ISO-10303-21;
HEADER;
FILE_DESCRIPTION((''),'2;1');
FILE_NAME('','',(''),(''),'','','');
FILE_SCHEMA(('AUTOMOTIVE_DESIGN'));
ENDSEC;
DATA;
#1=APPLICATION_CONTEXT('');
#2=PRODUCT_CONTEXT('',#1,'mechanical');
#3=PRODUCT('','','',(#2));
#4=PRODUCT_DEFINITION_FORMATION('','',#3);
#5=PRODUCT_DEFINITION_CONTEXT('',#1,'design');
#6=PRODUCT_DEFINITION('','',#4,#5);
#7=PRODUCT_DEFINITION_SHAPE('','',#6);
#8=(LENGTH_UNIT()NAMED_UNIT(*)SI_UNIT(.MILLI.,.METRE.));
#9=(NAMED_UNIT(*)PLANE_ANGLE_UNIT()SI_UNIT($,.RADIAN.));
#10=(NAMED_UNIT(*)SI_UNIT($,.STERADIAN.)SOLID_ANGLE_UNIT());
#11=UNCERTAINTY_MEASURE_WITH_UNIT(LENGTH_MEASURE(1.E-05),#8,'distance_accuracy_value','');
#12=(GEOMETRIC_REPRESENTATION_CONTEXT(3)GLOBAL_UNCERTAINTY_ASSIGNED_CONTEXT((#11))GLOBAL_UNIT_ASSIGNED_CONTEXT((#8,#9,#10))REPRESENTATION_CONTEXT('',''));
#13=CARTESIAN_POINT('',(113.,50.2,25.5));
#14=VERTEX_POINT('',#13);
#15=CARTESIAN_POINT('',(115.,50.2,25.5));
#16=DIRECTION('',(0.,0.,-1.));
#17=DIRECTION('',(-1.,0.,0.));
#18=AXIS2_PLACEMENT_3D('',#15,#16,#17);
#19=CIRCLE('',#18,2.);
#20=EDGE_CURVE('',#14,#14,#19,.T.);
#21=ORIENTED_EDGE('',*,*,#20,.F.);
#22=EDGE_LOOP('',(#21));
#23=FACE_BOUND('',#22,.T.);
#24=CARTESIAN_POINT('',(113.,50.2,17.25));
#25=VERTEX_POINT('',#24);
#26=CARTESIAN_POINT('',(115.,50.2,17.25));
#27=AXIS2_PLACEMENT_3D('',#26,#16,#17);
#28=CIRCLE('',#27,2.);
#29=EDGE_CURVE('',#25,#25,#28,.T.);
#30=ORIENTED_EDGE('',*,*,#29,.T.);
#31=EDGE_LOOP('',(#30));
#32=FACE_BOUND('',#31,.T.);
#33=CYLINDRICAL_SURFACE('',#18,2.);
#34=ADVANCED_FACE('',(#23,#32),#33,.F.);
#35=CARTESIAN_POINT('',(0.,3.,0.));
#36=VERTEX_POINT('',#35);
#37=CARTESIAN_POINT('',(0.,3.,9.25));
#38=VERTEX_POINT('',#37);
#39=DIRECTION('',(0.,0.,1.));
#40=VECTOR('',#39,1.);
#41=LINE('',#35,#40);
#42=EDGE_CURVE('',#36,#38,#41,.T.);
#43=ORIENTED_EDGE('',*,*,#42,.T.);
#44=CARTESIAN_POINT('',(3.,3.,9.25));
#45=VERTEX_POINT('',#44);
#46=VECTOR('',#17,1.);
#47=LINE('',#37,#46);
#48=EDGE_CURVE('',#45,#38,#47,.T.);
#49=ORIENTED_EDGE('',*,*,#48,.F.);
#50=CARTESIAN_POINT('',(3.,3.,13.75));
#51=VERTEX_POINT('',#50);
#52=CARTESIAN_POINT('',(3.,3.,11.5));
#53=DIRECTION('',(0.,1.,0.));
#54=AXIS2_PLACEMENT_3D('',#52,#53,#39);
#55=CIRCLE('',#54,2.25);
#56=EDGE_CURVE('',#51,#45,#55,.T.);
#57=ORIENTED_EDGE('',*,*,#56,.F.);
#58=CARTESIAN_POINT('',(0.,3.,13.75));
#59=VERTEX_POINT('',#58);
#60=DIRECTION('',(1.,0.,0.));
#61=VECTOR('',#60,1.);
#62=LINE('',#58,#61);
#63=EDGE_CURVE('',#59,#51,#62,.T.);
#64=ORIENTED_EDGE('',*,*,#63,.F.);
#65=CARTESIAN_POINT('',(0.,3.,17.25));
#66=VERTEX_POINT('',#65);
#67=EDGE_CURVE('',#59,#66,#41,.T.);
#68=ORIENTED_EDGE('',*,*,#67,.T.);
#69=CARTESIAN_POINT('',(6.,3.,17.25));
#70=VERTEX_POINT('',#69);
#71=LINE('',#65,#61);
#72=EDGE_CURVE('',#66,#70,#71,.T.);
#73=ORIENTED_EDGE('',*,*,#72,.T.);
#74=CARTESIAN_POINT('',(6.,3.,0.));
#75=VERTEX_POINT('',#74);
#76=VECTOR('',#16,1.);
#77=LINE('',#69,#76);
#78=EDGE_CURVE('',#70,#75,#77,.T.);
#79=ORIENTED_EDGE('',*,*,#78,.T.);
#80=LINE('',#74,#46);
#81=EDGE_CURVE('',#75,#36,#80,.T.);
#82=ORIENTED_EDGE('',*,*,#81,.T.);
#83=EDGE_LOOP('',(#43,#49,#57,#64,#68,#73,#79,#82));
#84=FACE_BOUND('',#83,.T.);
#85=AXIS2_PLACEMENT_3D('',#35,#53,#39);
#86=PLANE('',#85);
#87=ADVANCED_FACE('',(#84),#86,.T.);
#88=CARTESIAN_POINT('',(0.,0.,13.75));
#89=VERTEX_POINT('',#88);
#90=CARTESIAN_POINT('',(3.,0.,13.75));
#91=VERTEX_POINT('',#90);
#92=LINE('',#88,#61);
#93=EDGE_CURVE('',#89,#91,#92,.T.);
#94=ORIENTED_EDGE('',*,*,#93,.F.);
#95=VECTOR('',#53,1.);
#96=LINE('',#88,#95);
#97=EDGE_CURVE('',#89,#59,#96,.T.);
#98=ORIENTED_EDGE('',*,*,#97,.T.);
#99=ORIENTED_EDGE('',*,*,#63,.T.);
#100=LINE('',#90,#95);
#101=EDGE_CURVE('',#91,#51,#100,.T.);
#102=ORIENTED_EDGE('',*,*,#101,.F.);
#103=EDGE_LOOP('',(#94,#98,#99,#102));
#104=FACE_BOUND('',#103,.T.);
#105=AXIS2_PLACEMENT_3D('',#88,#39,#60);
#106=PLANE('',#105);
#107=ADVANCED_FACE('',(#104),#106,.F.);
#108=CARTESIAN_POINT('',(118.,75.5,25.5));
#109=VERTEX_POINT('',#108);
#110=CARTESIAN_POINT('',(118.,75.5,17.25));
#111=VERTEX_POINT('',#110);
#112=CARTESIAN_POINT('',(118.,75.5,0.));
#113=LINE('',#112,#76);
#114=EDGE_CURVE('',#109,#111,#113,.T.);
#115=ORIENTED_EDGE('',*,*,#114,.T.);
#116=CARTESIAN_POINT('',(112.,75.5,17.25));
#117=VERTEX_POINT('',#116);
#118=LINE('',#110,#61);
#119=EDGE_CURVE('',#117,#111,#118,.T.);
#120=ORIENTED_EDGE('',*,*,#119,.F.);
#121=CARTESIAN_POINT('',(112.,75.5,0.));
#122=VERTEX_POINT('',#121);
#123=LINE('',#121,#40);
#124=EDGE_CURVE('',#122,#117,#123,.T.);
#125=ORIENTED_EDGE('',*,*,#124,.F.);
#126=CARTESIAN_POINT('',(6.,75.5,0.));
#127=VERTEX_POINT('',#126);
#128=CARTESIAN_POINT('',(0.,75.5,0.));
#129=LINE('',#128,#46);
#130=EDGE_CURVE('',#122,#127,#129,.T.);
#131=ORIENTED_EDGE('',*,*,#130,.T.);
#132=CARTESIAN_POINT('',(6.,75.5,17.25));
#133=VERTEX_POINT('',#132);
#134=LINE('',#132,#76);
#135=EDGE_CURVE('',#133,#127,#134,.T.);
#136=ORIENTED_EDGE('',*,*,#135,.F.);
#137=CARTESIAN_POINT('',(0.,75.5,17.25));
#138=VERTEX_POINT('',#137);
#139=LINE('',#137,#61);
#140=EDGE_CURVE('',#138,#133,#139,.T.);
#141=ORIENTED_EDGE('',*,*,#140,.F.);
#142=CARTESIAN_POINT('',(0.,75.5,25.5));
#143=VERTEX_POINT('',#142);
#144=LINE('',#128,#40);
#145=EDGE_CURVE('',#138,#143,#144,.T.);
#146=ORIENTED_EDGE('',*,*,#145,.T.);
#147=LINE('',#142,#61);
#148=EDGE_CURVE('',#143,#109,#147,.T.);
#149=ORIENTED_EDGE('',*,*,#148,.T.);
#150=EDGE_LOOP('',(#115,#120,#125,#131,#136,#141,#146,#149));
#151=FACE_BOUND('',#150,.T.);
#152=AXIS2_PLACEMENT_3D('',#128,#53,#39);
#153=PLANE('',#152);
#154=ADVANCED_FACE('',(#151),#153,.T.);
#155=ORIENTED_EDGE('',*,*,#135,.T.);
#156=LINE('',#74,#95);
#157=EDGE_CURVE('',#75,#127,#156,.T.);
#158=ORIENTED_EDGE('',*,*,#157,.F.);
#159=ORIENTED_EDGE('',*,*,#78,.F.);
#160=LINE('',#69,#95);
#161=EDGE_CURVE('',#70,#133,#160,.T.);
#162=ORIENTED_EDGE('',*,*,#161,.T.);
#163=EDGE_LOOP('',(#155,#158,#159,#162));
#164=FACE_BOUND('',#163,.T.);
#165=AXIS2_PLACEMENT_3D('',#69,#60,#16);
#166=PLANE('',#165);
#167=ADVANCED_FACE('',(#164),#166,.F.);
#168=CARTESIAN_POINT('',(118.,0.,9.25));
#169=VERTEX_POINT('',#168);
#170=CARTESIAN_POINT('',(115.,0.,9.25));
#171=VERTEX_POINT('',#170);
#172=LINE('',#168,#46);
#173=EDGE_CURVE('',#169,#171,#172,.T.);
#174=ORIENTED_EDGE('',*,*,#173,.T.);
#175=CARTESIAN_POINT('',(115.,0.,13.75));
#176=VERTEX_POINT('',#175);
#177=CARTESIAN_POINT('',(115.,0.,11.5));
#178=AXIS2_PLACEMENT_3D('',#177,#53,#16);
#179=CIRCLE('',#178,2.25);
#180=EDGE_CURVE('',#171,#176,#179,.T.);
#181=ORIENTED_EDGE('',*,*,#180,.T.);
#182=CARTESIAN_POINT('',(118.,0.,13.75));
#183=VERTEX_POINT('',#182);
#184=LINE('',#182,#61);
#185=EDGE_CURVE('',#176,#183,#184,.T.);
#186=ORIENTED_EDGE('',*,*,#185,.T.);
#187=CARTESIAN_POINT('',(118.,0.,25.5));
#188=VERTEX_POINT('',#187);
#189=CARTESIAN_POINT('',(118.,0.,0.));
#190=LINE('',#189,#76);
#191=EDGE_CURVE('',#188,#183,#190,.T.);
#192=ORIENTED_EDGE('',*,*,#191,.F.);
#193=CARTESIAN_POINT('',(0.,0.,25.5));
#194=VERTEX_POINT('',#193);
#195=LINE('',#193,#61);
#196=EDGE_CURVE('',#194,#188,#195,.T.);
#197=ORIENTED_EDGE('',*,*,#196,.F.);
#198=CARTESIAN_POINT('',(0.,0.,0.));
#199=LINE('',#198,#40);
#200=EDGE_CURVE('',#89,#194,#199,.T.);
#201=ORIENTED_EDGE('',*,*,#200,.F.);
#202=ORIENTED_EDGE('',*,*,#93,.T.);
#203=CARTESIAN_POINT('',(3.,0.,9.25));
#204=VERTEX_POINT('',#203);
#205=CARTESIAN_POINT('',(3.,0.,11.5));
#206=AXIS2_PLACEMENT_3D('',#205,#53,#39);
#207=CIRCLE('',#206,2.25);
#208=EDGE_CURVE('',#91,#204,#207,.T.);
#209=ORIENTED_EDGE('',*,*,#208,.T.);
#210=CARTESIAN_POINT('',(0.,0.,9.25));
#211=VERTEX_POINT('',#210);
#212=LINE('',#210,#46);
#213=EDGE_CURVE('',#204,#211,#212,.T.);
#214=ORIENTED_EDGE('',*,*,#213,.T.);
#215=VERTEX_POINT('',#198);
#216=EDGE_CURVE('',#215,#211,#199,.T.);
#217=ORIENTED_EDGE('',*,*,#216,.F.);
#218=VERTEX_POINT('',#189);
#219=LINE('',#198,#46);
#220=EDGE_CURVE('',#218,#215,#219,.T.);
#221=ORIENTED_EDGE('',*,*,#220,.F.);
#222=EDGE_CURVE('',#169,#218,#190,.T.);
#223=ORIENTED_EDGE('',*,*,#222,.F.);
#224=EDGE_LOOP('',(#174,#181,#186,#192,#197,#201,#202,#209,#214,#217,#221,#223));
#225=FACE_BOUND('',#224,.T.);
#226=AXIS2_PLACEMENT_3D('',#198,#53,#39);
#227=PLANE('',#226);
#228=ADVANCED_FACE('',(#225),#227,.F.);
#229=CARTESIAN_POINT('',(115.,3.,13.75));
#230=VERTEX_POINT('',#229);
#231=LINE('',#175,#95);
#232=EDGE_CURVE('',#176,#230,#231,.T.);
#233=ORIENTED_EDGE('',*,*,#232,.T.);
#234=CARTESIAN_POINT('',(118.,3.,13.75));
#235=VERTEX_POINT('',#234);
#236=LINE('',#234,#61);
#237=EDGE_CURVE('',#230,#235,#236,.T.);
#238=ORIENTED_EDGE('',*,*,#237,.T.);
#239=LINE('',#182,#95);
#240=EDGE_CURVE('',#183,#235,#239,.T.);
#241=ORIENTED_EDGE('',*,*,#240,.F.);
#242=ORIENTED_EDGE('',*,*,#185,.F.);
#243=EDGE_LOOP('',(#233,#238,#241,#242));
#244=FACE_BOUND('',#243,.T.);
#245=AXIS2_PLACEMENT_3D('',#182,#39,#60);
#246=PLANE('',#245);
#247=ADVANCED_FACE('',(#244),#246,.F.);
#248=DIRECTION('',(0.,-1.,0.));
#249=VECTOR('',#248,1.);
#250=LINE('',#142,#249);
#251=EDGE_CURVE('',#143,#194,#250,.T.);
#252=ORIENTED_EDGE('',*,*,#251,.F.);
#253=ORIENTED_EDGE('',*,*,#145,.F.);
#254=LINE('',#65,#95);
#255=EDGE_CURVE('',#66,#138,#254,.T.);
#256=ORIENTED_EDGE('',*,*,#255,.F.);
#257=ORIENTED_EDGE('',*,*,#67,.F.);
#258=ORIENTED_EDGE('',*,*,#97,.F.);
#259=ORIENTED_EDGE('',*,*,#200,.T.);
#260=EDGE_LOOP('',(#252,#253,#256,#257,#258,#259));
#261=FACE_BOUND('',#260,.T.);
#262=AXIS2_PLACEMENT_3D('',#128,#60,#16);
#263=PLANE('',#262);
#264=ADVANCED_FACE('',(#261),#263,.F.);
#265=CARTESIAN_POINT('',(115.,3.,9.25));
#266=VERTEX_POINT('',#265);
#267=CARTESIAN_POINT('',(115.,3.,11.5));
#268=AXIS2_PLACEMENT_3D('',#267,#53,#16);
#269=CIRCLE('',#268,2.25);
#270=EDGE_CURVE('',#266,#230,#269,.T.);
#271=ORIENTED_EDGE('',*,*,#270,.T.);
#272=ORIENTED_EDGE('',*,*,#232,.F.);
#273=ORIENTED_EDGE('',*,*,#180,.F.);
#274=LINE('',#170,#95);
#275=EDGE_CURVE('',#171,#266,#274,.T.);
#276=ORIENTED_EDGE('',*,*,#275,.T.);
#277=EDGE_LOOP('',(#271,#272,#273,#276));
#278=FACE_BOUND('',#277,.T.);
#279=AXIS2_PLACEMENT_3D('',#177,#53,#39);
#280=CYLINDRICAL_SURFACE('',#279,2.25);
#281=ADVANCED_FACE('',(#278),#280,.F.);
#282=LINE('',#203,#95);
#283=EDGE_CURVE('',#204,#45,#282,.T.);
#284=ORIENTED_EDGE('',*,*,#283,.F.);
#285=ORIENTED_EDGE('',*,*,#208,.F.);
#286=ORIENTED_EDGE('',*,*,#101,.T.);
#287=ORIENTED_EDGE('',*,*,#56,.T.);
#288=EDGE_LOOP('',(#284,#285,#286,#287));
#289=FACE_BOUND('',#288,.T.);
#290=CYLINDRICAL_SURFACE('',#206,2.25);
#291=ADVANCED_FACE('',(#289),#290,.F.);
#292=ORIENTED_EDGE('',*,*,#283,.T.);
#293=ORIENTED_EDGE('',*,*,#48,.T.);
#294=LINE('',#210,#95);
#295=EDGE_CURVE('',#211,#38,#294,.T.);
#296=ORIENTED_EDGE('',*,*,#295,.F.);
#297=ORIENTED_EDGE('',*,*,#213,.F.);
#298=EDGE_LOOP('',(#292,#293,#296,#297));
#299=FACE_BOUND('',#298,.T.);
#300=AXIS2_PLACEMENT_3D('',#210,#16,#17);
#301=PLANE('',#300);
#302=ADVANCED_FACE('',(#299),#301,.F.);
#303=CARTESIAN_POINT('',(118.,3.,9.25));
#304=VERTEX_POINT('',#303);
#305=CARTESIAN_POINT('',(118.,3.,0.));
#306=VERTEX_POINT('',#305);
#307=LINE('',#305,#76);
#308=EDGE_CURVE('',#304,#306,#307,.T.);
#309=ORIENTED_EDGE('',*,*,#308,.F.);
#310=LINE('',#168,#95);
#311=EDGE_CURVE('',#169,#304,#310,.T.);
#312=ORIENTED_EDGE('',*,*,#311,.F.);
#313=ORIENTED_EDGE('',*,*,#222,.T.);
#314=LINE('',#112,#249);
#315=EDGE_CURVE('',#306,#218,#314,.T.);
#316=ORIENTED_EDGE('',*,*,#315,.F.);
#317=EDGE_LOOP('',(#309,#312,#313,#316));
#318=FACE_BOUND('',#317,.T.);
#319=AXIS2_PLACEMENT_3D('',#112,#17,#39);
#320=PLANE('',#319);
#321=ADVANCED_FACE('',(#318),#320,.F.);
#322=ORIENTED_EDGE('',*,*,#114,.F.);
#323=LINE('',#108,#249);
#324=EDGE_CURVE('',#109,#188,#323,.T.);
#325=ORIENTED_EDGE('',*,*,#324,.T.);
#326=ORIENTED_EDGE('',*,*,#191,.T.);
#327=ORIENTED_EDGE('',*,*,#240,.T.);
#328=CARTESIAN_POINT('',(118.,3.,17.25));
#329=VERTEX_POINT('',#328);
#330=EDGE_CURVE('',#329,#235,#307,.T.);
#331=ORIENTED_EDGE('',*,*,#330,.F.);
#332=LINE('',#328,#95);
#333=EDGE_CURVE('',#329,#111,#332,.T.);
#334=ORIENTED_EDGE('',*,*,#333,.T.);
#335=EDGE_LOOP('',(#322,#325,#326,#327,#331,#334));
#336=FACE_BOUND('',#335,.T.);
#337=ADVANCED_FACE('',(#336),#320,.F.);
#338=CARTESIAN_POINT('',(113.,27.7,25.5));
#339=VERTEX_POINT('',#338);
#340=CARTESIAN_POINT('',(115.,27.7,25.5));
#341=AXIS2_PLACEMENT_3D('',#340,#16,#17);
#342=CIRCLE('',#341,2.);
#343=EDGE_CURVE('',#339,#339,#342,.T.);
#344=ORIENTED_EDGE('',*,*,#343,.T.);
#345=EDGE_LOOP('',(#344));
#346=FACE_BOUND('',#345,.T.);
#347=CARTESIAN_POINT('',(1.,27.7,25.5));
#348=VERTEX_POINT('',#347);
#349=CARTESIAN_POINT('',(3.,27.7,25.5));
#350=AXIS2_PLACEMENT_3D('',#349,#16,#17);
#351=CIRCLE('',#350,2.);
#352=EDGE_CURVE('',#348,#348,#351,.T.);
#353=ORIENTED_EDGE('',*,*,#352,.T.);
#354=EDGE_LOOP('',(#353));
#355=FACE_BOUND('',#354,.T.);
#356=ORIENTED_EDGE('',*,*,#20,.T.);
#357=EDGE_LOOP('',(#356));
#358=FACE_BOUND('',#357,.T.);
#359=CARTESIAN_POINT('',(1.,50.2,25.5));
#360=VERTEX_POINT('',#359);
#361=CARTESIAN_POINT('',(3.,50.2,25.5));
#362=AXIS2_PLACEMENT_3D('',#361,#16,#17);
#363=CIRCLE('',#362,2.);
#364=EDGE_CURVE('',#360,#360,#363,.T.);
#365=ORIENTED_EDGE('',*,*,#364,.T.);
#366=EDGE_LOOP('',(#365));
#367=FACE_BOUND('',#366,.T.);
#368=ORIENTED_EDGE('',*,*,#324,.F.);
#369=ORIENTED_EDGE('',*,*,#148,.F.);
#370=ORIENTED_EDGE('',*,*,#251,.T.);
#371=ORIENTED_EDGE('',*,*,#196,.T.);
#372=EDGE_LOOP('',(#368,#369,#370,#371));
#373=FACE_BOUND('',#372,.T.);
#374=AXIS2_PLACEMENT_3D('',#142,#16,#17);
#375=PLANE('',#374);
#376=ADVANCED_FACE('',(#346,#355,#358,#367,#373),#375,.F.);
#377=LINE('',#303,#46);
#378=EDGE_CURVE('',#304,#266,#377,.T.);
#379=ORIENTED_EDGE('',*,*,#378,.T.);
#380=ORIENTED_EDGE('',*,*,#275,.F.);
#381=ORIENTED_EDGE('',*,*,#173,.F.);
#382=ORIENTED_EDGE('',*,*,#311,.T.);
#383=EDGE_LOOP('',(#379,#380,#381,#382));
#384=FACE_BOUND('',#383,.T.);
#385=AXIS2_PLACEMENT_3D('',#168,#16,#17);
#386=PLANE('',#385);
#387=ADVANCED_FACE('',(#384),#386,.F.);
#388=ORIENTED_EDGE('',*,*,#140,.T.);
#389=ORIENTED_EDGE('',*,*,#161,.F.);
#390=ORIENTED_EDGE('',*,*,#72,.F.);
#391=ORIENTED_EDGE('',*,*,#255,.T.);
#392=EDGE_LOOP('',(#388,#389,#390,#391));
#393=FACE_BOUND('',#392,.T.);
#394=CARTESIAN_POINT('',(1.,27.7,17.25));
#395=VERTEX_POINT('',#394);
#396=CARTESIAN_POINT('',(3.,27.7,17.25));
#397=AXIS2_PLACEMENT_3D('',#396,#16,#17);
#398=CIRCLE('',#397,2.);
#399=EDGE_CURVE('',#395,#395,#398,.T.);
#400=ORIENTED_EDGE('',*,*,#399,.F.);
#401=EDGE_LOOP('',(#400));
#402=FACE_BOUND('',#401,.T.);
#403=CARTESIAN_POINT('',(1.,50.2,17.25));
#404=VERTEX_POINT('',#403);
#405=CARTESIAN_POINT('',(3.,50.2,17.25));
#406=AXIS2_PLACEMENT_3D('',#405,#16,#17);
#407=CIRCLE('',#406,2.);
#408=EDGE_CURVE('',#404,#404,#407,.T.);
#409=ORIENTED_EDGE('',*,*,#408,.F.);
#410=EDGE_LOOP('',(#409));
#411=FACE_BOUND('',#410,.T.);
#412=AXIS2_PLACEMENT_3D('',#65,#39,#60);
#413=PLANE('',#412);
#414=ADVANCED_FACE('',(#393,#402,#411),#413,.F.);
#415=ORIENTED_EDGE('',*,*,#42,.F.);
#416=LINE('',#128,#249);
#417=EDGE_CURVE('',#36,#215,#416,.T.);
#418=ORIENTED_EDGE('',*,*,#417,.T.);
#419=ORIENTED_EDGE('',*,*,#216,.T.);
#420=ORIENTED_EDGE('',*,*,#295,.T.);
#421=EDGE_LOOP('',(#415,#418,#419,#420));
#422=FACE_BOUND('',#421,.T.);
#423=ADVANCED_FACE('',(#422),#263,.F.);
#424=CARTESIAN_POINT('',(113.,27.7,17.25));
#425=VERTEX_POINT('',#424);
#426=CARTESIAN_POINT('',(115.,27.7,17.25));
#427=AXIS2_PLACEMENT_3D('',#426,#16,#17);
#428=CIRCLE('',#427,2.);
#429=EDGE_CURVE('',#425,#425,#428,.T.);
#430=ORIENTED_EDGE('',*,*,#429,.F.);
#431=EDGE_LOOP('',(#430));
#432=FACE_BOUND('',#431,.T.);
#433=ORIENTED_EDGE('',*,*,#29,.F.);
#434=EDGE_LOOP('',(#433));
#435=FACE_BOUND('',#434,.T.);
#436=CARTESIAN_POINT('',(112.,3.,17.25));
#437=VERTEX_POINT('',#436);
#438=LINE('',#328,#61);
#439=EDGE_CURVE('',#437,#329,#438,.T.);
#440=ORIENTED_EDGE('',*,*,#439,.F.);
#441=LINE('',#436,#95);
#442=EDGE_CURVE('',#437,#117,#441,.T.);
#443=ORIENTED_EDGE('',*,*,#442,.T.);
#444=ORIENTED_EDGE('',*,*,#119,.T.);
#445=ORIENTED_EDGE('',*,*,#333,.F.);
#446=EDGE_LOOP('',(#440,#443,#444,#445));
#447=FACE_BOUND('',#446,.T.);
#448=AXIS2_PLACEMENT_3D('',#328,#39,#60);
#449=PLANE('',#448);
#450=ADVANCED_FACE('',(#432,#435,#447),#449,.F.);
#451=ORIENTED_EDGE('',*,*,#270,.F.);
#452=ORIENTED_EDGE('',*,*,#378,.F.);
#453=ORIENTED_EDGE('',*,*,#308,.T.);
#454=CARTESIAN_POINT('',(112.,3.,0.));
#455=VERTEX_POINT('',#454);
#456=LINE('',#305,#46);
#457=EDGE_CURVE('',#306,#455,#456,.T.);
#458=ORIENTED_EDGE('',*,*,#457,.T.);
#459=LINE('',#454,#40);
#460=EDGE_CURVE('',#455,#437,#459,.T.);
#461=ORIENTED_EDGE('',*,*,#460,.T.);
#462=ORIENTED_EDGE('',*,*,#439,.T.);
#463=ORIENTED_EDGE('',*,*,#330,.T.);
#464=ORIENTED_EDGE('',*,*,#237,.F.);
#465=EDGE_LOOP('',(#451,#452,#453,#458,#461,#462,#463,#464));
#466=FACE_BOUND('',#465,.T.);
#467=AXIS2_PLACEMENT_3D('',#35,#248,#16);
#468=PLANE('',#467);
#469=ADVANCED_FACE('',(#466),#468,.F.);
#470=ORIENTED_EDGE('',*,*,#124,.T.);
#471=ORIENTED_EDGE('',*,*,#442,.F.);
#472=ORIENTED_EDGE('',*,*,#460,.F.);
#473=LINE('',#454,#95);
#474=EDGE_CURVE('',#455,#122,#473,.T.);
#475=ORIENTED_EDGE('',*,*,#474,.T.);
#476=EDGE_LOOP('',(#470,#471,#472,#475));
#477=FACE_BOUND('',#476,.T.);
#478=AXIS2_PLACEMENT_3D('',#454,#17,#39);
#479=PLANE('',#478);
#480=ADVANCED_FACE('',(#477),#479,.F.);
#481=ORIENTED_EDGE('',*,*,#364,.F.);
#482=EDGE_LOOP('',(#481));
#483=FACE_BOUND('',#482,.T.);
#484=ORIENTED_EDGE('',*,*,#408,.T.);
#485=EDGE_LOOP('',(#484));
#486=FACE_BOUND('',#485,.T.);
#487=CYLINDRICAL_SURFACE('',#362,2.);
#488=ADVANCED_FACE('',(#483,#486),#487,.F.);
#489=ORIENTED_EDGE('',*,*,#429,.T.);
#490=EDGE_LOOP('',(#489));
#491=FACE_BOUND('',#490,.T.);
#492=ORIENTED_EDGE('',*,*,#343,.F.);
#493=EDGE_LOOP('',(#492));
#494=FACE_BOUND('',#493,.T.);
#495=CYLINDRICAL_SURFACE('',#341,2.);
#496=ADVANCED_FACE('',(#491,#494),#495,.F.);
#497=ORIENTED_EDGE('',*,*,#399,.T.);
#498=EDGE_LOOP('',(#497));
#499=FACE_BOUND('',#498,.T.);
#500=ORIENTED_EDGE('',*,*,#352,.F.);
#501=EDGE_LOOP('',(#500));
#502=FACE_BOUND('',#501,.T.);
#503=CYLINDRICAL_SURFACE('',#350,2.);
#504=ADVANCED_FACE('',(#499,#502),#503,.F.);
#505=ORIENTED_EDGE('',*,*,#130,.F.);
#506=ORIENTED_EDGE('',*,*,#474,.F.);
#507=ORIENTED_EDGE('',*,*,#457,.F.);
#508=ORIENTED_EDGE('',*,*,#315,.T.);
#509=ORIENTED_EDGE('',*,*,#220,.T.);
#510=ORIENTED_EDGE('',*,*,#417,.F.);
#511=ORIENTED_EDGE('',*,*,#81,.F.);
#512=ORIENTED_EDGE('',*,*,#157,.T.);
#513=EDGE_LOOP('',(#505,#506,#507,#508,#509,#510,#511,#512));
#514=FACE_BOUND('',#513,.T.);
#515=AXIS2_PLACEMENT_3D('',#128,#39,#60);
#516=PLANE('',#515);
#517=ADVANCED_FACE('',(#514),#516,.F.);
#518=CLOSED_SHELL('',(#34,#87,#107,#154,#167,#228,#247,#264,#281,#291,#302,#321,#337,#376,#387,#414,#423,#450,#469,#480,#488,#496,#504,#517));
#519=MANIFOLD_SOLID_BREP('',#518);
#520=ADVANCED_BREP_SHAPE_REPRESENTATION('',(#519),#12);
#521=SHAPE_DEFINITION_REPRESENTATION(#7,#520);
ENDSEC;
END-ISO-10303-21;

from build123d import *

# Parameters (mm, degrees)
SKETCH_1_W          = 118
SKETCH_1_H          = 25.5
EXTRUDE_1_DEPTH     = 75.5
SKETCH_2_W          = 6
SKETCH_2_H          = 17.25
CUT_EXTRUDE_1_DEPTH = 72.5
CUT_EXTRUDE_2_DEPTH = 141.820808122
SKETCH_4_R          = 2
CUT_EXTRUDE_3_DEPTH = 142.144650979


with BuildPart() as part:
    # 草图1 → 凸台-拉伸1 (new body)
    with BuildSketch(Plane(origin=(0, 0, 0), x_dir=(1, 0, 0), z_dir=(0, 1, 0))):
        with Locations((59, -12.75)):
            Rectangle(SKETCH_1_W, SKETCH_1_H)
    extrude(amount=EXTRUDE_1_DEPTH)

    # 草图2 → 切除-拉伸1 (cut)
    with BuildSketch(Plane(origin=(0, 75.5, 0), x_dir=(1, 0, 0), z_dir=(0, 1, 0))):
        with Locations((3, -8.625)):
            Rectangle(SKETCH_2_W, SKETCH_2_H)
        with Locations((115, -8.625)):
            Rectangle(SKETCH_2_W, SKETCH_2_H)
    extrude(amount=-CUT_EXTRUDE_1_DEPTH, mode=Mode.SUBTRACT)

    # 草图3 → 切除-拉伸2 (cut, through all)
    with BuildSketch(Plane(origin=(0, 3, 0), x_dir=(1, 0, 0), z_dir=(0, 1, 0))):
        with BuildLine():
            Line((0, -13.75), (3, -13.75))
            ThreePointArc((3, -13.75), (5.25, -11.5), (3, -9.25))
            Line((3, -9.25), (0, -9.25))
            Line((0, -9.25), (0, -13.75))
        make_face()
        with BuildLine():
            Line((118, -13.75), (118, -9.25))
            Line((118, -9.25), (115, -9.25))
            ThreePointArc((115, -9.25), (112.75, -11.5), (115, -13.75))
            Line((115, -13.75), (118, -13.75))
        make_face()
    extrude(amount=-CUT_EXTRUDE_2_DEPTH, mode=Mode.SUBTRACT)

    # 草图4 → 切除-拉伸3 (cut, through all)
    with BuildSketch(Plane(origin=(0, 0, 17.25), x_dir=(-1, 0, 0), z_dir=(0, 0, -1))):
        with Locations((-115, 50.2)):
            Circle(SKETCH_4_R)
        with Locations((-115, 27.7)):
            Circle(SKETCH_4_R)
        with Locations((-3, 50.2)):
            Circle(SKETCH_4_R)
        with Locations((-3, 27.7)):
            Circle(SKETCH_4_R)
    extrude(amount=-CUT_EXTRUDE_3_DEPTH, mode=Mode.SUBTRACT)


solid = part.part
